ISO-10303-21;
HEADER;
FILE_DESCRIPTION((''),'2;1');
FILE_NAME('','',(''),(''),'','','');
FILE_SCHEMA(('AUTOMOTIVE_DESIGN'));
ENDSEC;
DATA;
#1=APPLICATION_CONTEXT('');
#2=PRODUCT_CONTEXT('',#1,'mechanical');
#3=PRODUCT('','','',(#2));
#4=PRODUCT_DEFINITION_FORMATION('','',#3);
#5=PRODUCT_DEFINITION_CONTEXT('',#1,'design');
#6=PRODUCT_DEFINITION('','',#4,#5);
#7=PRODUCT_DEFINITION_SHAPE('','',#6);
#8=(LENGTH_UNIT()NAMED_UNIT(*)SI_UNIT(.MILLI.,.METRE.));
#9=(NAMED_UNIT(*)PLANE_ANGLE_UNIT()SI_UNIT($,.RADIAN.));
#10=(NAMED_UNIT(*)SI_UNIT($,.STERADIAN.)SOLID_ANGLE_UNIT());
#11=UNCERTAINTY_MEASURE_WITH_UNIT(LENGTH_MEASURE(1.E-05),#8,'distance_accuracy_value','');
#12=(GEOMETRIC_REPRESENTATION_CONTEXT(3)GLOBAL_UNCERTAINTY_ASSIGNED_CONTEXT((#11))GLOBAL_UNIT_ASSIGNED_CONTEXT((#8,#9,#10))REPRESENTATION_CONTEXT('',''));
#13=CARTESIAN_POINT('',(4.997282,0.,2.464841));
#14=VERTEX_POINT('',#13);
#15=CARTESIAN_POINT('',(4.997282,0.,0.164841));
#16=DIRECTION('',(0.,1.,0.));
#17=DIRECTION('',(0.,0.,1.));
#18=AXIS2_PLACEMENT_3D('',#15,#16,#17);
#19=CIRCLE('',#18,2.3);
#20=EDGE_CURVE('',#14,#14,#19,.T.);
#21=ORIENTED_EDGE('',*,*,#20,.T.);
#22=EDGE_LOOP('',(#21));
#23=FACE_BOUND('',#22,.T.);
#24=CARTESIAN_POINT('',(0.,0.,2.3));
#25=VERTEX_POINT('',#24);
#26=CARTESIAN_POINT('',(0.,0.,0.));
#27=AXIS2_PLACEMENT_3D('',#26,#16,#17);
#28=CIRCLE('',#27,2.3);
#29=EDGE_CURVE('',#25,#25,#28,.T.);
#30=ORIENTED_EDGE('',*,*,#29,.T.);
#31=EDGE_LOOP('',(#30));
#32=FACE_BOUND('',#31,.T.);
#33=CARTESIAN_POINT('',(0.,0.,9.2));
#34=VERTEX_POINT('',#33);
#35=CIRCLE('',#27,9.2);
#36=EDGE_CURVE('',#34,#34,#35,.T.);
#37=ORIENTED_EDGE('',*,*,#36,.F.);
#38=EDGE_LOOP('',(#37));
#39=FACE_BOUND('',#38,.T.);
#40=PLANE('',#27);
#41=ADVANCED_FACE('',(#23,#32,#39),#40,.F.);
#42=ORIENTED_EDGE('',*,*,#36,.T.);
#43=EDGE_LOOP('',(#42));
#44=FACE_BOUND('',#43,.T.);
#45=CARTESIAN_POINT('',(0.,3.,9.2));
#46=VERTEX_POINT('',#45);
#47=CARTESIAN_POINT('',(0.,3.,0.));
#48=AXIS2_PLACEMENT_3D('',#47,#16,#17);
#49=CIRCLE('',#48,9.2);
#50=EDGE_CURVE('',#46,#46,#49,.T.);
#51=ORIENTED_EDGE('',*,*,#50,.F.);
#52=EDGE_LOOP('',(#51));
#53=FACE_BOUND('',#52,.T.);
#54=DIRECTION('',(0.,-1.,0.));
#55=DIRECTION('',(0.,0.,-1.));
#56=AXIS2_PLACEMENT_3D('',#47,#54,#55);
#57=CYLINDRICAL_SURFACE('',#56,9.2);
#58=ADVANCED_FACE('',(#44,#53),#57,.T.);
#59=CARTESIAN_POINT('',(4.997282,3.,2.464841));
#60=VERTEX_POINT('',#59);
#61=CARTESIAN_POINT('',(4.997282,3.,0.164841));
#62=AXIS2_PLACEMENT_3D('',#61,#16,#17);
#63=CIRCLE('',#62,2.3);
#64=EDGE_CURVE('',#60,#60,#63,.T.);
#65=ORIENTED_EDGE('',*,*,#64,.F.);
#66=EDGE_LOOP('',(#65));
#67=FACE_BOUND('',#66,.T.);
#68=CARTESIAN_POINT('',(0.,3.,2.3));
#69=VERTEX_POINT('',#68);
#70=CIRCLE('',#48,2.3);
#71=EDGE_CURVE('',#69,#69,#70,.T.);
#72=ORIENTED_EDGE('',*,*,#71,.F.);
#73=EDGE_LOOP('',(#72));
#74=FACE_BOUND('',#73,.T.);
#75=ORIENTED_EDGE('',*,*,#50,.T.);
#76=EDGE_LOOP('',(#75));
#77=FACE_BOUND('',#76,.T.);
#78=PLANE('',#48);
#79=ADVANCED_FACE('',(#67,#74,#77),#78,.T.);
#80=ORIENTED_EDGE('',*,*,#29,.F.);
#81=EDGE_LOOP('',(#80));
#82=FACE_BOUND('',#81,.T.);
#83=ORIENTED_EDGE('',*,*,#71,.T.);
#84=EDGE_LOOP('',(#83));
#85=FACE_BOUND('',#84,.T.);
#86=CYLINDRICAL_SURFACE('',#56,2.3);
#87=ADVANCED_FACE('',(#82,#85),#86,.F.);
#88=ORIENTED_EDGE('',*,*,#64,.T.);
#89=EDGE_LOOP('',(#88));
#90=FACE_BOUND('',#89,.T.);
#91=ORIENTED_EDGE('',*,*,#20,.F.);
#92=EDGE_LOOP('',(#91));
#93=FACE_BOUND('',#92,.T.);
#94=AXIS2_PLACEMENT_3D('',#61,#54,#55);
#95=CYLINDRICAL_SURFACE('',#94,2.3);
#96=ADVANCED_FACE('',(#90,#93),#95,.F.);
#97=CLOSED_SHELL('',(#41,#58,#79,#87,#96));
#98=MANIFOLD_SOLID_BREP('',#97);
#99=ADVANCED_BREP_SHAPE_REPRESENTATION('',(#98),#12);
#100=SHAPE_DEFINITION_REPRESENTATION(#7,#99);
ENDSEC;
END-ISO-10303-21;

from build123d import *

# Parameters (mm, degrees)
SKETCH1_R           = 9.2
SKETCH1_R_2         = 2.3
BOSS_EXTRUDE1_DEPTH = 3


with BuildPart() as part:
    # Sketch1 → Boss-Extrude1 (new body)
    with BuildSketch(Plane(origin=(0, 0, 0), x_dir=(1, 0, 0), z_dir=(0, 1, 0))):
        Circle(SKETCH1_R)
        with Locations((4.997281989, -0.164841493)):
            Circle(SKETCH1_R_2, mode=Mode.SUBTRACT)
        Circle(SKETCH1_R_2, mode=Mode.SUBTRACT)
    extrude(amount=BOSS_EXTRUDE1_DEPTH)


solid = part.part
